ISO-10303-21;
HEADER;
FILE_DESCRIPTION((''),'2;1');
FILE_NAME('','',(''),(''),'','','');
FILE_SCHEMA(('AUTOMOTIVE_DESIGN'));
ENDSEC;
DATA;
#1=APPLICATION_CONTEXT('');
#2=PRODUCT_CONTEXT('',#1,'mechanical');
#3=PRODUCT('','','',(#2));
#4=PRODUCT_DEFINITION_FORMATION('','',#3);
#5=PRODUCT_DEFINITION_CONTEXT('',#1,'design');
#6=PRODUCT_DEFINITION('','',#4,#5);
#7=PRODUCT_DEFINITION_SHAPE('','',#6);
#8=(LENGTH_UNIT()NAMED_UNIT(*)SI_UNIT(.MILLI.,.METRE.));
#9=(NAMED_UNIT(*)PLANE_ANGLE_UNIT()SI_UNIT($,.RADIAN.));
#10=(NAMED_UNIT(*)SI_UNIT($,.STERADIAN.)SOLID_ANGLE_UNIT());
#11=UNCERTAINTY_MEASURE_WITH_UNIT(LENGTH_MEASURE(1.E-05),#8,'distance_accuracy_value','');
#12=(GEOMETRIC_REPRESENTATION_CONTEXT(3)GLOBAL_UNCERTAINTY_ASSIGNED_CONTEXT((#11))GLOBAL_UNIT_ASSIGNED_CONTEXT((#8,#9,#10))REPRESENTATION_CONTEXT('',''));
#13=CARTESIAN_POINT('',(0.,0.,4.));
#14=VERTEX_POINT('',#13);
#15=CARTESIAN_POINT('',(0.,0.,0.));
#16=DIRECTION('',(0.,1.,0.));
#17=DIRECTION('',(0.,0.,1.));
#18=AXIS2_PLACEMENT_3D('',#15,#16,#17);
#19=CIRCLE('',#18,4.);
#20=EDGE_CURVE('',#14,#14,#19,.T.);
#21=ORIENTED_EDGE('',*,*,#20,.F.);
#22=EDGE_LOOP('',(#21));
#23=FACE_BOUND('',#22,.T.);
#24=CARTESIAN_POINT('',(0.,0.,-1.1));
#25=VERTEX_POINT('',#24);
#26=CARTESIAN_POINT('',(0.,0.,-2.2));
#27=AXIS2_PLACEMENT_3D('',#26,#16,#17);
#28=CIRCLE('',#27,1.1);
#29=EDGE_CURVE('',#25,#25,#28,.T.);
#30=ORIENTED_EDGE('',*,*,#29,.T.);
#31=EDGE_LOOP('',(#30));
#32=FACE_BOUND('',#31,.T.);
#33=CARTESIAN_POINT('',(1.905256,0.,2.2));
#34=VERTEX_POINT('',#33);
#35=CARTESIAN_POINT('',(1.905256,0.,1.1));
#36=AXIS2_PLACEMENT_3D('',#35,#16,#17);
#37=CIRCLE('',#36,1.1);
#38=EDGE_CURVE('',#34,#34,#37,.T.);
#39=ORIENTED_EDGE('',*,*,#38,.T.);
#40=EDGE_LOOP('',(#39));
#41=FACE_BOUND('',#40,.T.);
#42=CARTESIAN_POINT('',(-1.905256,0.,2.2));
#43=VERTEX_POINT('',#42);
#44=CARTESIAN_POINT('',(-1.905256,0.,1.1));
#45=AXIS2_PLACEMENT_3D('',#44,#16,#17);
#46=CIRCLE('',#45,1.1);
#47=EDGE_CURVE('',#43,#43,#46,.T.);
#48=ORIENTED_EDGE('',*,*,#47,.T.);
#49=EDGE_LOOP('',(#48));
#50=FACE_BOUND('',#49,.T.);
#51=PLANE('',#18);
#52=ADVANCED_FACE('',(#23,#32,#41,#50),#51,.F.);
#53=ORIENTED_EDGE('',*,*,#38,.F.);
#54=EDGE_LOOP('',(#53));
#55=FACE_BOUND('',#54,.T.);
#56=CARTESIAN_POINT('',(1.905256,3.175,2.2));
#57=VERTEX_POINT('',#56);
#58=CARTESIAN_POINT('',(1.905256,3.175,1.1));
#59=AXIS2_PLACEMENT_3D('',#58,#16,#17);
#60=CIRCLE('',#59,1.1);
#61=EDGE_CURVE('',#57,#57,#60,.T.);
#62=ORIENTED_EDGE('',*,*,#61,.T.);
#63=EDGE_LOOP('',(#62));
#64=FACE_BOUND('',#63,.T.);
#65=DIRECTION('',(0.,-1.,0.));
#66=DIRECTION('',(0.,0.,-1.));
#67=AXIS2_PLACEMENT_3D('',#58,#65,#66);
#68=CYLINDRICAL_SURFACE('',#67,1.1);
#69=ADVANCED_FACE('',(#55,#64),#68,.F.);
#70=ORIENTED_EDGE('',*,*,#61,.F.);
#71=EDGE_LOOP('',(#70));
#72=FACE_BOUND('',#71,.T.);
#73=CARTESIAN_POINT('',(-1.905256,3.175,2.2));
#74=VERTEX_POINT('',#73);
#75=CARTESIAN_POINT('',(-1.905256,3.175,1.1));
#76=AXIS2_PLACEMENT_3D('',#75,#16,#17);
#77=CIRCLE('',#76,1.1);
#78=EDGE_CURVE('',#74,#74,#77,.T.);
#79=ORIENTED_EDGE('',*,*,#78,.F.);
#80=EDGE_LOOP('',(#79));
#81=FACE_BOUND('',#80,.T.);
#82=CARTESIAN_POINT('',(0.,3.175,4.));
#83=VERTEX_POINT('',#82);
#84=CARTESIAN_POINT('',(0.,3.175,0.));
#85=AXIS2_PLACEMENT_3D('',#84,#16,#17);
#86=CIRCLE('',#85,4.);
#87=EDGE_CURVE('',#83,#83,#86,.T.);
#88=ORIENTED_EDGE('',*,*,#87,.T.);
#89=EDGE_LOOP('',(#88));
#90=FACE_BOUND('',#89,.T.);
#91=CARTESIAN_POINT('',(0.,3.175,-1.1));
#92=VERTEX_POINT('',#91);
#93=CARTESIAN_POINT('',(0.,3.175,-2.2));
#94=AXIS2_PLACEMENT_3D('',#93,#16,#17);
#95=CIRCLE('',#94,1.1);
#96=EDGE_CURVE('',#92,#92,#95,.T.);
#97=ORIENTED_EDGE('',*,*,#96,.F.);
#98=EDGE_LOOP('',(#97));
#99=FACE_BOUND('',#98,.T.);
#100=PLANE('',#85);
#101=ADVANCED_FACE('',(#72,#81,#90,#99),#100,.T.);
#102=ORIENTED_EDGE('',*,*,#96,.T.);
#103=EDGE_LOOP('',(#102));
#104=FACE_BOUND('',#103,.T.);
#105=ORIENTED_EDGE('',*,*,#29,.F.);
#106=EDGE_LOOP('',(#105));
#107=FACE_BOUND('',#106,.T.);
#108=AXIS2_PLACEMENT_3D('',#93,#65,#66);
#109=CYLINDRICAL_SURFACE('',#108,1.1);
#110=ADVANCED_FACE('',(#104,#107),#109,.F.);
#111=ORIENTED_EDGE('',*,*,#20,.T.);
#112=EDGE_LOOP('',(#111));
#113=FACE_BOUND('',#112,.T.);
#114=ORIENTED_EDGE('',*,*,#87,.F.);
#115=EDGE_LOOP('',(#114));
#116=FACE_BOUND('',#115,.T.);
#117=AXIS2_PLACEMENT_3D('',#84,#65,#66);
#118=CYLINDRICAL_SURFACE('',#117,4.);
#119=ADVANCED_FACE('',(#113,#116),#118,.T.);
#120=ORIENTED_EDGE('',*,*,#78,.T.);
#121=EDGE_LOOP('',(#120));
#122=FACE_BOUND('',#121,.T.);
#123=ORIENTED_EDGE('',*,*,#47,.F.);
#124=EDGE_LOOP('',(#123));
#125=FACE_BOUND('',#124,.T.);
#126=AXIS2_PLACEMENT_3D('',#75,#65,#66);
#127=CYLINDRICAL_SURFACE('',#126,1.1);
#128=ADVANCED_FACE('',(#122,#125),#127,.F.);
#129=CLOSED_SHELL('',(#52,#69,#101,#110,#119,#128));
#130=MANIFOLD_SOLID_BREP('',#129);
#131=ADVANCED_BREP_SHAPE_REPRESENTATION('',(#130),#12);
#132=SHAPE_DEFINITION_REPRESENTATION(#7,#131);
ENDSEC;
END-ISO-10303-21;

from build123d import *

# Parameters (mm, degrees)
SKETCH1_R           = 4
SKETCH1_R_2         = 1.1
BOSS_EXTRUDE1_DEPTH = 3.175


with BuildPart() as part:
    # Sketch1 → Boss-Extrude1 (new body)
    with BuildSketch(Plane(origin=(0, 0, 0), x_dir=(1, 0, 0), z_dir=(0, 1, 0))):
        with Locations(Location((0, 0, 0), (0, 0, 270))):
            Circle(SKETCH1_R)
        with Locations(Location((0, 2.2, 0), (0, 0, 270))):
            Circle(SKETCH1_R_2, mode=Mode.SUBTRACT)
        with Locations(Location((1.905255888, -1.1, 0), (0, 0, 270))):
            Circle(SKETCH1_R_2, mode=Mode.SUBTRACT)
        with Locations(Location((-1.905255888, -1.1, 0), (0, 0, 270))):
            Circle(SKETCH1_R_2, mode=Mode.SUBTRACT)
    extrude(amount=BOSS_EXTRUDE1_DEPTH)


solid = part.part
